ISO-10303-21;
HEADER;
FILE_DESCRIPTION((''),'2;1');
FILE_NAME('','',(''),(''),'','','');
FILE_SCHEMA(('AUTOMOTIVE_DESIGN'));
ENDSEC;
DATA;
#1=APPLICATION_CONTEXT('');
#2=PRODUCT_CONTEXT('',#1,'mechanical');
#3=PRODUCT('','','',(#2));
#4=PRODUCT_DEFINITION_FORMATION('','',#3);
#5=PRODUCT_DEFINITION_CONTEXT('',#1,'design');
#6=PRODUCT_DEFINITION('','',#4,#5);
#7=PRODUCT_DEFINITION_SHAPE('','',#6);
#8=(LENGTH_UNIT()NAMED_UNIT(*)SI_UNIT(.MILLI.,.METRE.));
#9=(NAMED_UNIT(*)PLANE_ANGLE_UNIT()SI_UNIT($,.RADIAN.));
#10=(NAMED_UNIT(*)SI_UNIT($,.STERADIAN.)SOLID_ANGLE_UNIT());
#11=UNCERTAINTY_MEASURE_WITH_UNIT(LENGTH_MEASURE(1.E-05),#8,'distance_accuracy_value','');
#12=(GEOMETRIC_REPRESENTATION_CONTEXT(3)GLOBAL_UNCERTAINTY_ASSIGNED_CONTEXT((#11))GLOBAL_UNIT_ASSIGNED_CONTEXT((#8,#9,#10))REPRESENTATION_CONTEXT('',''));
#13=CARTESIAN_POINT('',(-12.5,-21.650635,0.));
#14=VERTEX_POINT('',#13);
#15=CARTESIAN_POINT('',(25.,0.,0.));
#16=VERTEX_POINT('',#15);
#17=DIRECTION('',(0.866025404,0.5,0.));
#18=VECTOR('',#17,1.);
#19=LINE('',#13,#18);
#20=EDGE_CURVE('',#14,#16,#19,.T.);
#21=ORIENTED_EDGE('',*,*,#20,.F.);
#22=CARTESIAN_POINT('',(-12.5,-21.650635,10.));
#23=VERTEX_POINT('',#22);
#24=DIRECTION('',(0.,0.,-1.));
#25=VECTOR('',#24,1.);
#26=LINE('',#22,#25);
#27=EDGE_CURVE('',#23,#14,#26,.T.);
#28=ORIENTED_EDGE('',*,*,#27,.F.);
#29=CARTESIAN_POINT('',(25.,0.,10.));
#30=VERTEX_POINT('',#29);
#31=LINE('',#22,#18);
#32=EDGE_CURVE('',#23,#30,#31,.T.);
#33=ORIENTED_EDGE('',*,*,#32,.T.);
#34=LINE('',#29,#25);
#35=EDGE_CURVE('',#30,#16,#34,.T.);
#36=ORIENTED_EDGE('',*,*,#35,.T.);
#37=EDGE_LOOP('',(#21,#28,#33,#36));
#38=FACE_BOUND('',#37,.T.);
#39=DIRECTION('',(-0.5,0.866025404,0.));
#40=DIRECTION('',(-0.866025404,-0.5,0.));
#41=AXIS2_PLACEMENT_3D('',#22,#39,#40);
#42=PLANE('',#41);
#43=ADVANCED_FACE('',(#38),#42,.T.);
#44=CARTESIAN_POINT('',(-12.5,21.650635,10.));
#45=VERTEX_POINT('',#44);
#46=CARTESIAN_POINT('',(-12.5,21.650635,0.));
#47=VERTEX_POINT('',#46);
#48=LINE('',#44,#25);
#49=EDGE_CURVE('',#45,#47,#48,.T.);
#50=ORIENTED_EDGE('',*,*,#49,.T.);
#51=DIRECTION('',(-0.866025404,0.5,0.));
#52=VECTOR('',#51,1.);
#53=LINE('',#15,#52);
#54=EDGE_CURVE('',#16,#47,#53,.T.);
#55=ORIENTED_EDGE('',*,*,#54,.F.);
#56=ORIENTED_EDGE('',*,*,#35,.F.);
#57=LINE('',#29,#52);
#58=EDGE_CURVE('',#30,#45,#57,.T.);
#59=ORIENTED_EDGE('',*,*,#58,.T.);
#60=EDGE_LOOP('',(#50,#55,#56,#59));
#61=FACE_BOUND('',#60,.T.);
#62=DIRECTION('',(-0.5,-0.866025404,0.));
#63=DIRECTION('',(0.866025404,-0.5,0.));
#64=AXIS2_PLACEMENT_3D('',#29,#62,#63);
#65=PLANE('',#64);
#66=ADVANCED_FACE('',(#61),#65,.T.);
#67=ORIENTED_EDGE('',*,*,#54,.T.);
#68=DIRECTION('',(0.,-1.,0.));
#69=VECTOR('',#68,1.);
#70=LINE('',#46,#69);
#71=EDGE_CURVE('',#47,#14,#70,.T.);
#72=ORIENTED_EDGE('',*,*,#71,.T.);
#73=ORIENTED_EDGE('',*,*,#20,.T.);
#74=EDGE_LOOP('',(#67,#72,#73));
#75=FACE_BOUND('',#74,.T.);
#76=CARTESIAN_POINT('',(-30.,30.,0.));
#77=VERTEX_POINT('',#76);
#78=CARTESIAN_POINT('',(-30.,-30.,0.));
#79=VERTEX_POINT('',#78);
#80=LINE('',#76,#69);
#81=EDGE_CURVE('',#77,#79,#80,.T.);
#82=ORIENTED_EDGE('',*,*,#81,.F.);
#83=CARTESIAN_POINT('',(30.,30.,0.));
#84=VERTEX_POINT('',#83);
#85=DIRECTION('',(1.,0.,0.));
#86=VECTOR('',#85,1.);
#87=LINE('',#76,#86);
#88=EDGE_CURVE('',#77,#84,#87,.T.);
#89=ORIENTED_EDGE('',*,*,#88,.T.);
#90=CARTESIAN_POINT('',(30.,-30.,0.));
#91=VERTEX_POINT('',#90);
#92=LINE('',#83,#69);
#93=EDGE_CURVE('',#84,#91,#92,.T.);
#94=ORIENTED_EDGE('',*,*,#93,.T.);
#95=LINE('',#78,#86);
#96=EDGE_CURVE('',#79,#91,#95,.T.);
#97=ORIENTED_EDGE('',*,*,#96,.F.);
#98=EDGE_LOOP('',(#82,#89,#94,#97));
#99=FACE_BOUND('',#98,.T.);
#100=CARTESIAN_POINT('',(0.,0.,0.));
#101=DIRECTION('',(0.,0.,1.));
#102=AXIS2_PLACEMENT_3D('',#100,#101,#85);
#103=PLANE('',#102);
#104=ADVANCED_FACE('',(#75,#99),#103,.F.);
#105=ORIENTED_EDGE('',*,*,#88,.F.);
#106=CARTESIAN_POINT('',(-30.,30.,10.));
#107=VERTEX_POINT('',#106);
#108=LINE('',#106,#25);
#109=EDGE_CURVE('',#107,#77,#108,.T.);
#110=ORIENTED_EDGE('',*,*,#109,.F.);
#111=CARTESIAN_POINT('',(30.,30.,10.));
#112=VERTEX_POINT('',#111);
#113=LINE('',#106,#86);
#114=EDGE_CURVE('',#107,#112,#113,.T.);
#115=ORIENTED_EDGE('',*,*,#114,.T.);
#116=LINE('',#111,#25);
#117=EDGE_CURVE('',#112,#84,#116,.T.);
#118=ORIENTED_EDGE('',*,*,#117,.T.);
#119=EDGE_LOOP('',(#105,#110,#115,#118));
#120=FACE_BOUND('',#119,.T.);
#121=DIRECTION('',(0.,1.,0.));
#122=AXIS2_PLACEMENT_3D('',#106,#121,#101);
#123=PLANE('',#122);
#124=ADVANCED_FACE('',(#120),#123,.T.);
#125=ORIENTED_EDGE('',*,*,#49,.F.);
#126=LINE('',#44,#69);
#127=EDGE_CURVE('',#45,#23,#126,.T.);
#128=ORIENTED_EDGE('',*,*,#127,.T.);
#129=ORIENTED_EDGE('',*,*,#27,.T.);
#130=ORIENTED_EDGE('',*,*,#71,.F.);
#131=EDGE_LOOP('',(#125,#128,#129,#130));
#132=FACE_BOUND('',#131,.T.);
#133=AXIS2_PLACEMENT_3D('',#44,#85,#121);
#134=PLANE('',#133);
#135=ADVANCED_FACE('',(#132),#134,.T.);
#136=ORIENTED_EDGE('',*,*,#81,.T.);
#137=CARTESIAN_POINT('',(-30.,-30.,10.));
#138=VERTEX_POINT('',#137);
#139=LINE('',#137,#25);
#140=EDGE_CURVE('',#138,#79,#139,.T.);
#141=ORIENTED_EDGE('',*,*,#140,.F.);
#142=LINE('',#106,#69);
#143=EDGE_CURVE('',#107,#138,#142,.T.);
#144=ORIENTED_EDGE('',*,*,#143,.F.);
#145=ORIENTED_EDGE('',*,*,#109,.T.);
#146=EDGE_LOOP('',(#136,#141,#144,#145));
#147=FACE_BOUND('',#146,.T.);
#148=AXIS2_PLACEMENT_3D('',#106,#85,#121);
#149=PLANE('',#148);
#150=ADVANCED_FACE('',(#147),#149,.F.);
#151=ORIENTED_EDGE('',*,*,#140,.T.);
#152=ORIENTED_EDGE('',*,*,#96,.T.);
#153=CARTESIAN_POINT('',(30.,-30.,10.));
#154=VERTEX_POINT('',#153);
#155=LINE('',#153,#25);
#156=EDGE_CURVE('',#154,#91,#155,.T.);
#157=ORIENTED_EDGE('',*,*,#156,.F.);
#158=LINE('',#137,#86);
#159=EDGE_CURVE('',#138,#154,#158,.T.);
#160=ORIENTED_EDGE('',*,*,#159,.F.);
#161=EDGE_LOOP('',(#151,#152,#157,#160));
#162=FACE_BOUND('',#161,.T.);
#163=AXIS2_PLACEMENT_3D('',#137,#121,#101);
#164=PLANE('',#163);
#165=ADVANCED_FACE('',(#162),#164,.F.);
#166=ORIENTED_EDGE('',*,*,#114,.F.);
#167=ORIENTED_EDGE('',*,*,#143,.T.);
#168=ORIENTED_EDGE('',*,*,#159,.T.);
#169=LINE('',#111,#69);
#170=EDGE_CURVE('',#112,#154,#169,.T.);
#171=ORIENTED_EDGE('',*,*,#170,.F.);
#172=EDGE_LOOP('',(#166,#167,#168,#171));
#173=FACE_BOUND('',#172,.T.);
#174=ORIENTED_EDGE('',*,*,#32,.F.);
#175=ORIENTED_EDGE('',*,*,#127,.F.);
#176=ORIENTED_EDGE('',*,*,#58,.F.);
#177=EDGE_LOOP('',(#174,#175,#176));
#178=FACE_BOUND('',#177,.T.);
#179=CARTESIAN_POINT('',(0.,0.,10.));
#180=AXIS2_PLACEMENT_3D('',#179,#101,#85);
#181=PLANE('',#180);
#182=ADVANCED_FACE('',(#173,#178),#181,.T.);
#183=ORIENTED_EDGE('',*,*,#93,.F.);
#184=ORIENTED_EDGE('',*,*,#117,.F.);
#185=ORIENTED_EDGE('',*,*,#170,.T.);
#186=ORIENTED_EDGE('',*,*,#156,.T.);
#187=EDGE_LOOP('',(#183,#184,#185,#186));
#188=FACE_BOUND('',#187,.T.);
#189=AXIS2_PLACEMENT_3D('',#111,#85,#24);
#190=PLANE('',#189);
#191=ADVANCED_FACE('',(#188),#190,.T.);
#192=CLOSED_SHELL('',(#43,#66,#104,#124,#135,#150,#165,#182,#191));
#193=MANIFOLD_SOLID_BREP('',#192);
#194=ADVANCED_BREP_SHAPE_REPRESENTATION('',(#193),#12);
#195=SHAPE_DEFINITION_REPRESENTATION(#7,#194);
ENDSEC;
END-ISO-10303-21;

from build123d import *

# Parameters (mm, degrees)
SCHIZZO1_W                   = 60
SCHIZZO1_H                   = 60
ESTRUSIONE_ESTRUSIONE1_DEPTH = 10


with BuildPart() as part:
    # Schizzo1 → Estrusione-Estrusione1 (new body)
    with BuildSketch(Plane.XY):
        Rectangle(SCHIZZO1_W, SCHIZZO1_H)
        Polygon((25, 0), (-12.5, 21.650635095), (-12.5, -21.650635095), align=None, mode=Mode.SUBTRACT)
    extrude(amount=ESTRUSIONE_ESTRUSIONE1_DEPTH)


solid = part.part
